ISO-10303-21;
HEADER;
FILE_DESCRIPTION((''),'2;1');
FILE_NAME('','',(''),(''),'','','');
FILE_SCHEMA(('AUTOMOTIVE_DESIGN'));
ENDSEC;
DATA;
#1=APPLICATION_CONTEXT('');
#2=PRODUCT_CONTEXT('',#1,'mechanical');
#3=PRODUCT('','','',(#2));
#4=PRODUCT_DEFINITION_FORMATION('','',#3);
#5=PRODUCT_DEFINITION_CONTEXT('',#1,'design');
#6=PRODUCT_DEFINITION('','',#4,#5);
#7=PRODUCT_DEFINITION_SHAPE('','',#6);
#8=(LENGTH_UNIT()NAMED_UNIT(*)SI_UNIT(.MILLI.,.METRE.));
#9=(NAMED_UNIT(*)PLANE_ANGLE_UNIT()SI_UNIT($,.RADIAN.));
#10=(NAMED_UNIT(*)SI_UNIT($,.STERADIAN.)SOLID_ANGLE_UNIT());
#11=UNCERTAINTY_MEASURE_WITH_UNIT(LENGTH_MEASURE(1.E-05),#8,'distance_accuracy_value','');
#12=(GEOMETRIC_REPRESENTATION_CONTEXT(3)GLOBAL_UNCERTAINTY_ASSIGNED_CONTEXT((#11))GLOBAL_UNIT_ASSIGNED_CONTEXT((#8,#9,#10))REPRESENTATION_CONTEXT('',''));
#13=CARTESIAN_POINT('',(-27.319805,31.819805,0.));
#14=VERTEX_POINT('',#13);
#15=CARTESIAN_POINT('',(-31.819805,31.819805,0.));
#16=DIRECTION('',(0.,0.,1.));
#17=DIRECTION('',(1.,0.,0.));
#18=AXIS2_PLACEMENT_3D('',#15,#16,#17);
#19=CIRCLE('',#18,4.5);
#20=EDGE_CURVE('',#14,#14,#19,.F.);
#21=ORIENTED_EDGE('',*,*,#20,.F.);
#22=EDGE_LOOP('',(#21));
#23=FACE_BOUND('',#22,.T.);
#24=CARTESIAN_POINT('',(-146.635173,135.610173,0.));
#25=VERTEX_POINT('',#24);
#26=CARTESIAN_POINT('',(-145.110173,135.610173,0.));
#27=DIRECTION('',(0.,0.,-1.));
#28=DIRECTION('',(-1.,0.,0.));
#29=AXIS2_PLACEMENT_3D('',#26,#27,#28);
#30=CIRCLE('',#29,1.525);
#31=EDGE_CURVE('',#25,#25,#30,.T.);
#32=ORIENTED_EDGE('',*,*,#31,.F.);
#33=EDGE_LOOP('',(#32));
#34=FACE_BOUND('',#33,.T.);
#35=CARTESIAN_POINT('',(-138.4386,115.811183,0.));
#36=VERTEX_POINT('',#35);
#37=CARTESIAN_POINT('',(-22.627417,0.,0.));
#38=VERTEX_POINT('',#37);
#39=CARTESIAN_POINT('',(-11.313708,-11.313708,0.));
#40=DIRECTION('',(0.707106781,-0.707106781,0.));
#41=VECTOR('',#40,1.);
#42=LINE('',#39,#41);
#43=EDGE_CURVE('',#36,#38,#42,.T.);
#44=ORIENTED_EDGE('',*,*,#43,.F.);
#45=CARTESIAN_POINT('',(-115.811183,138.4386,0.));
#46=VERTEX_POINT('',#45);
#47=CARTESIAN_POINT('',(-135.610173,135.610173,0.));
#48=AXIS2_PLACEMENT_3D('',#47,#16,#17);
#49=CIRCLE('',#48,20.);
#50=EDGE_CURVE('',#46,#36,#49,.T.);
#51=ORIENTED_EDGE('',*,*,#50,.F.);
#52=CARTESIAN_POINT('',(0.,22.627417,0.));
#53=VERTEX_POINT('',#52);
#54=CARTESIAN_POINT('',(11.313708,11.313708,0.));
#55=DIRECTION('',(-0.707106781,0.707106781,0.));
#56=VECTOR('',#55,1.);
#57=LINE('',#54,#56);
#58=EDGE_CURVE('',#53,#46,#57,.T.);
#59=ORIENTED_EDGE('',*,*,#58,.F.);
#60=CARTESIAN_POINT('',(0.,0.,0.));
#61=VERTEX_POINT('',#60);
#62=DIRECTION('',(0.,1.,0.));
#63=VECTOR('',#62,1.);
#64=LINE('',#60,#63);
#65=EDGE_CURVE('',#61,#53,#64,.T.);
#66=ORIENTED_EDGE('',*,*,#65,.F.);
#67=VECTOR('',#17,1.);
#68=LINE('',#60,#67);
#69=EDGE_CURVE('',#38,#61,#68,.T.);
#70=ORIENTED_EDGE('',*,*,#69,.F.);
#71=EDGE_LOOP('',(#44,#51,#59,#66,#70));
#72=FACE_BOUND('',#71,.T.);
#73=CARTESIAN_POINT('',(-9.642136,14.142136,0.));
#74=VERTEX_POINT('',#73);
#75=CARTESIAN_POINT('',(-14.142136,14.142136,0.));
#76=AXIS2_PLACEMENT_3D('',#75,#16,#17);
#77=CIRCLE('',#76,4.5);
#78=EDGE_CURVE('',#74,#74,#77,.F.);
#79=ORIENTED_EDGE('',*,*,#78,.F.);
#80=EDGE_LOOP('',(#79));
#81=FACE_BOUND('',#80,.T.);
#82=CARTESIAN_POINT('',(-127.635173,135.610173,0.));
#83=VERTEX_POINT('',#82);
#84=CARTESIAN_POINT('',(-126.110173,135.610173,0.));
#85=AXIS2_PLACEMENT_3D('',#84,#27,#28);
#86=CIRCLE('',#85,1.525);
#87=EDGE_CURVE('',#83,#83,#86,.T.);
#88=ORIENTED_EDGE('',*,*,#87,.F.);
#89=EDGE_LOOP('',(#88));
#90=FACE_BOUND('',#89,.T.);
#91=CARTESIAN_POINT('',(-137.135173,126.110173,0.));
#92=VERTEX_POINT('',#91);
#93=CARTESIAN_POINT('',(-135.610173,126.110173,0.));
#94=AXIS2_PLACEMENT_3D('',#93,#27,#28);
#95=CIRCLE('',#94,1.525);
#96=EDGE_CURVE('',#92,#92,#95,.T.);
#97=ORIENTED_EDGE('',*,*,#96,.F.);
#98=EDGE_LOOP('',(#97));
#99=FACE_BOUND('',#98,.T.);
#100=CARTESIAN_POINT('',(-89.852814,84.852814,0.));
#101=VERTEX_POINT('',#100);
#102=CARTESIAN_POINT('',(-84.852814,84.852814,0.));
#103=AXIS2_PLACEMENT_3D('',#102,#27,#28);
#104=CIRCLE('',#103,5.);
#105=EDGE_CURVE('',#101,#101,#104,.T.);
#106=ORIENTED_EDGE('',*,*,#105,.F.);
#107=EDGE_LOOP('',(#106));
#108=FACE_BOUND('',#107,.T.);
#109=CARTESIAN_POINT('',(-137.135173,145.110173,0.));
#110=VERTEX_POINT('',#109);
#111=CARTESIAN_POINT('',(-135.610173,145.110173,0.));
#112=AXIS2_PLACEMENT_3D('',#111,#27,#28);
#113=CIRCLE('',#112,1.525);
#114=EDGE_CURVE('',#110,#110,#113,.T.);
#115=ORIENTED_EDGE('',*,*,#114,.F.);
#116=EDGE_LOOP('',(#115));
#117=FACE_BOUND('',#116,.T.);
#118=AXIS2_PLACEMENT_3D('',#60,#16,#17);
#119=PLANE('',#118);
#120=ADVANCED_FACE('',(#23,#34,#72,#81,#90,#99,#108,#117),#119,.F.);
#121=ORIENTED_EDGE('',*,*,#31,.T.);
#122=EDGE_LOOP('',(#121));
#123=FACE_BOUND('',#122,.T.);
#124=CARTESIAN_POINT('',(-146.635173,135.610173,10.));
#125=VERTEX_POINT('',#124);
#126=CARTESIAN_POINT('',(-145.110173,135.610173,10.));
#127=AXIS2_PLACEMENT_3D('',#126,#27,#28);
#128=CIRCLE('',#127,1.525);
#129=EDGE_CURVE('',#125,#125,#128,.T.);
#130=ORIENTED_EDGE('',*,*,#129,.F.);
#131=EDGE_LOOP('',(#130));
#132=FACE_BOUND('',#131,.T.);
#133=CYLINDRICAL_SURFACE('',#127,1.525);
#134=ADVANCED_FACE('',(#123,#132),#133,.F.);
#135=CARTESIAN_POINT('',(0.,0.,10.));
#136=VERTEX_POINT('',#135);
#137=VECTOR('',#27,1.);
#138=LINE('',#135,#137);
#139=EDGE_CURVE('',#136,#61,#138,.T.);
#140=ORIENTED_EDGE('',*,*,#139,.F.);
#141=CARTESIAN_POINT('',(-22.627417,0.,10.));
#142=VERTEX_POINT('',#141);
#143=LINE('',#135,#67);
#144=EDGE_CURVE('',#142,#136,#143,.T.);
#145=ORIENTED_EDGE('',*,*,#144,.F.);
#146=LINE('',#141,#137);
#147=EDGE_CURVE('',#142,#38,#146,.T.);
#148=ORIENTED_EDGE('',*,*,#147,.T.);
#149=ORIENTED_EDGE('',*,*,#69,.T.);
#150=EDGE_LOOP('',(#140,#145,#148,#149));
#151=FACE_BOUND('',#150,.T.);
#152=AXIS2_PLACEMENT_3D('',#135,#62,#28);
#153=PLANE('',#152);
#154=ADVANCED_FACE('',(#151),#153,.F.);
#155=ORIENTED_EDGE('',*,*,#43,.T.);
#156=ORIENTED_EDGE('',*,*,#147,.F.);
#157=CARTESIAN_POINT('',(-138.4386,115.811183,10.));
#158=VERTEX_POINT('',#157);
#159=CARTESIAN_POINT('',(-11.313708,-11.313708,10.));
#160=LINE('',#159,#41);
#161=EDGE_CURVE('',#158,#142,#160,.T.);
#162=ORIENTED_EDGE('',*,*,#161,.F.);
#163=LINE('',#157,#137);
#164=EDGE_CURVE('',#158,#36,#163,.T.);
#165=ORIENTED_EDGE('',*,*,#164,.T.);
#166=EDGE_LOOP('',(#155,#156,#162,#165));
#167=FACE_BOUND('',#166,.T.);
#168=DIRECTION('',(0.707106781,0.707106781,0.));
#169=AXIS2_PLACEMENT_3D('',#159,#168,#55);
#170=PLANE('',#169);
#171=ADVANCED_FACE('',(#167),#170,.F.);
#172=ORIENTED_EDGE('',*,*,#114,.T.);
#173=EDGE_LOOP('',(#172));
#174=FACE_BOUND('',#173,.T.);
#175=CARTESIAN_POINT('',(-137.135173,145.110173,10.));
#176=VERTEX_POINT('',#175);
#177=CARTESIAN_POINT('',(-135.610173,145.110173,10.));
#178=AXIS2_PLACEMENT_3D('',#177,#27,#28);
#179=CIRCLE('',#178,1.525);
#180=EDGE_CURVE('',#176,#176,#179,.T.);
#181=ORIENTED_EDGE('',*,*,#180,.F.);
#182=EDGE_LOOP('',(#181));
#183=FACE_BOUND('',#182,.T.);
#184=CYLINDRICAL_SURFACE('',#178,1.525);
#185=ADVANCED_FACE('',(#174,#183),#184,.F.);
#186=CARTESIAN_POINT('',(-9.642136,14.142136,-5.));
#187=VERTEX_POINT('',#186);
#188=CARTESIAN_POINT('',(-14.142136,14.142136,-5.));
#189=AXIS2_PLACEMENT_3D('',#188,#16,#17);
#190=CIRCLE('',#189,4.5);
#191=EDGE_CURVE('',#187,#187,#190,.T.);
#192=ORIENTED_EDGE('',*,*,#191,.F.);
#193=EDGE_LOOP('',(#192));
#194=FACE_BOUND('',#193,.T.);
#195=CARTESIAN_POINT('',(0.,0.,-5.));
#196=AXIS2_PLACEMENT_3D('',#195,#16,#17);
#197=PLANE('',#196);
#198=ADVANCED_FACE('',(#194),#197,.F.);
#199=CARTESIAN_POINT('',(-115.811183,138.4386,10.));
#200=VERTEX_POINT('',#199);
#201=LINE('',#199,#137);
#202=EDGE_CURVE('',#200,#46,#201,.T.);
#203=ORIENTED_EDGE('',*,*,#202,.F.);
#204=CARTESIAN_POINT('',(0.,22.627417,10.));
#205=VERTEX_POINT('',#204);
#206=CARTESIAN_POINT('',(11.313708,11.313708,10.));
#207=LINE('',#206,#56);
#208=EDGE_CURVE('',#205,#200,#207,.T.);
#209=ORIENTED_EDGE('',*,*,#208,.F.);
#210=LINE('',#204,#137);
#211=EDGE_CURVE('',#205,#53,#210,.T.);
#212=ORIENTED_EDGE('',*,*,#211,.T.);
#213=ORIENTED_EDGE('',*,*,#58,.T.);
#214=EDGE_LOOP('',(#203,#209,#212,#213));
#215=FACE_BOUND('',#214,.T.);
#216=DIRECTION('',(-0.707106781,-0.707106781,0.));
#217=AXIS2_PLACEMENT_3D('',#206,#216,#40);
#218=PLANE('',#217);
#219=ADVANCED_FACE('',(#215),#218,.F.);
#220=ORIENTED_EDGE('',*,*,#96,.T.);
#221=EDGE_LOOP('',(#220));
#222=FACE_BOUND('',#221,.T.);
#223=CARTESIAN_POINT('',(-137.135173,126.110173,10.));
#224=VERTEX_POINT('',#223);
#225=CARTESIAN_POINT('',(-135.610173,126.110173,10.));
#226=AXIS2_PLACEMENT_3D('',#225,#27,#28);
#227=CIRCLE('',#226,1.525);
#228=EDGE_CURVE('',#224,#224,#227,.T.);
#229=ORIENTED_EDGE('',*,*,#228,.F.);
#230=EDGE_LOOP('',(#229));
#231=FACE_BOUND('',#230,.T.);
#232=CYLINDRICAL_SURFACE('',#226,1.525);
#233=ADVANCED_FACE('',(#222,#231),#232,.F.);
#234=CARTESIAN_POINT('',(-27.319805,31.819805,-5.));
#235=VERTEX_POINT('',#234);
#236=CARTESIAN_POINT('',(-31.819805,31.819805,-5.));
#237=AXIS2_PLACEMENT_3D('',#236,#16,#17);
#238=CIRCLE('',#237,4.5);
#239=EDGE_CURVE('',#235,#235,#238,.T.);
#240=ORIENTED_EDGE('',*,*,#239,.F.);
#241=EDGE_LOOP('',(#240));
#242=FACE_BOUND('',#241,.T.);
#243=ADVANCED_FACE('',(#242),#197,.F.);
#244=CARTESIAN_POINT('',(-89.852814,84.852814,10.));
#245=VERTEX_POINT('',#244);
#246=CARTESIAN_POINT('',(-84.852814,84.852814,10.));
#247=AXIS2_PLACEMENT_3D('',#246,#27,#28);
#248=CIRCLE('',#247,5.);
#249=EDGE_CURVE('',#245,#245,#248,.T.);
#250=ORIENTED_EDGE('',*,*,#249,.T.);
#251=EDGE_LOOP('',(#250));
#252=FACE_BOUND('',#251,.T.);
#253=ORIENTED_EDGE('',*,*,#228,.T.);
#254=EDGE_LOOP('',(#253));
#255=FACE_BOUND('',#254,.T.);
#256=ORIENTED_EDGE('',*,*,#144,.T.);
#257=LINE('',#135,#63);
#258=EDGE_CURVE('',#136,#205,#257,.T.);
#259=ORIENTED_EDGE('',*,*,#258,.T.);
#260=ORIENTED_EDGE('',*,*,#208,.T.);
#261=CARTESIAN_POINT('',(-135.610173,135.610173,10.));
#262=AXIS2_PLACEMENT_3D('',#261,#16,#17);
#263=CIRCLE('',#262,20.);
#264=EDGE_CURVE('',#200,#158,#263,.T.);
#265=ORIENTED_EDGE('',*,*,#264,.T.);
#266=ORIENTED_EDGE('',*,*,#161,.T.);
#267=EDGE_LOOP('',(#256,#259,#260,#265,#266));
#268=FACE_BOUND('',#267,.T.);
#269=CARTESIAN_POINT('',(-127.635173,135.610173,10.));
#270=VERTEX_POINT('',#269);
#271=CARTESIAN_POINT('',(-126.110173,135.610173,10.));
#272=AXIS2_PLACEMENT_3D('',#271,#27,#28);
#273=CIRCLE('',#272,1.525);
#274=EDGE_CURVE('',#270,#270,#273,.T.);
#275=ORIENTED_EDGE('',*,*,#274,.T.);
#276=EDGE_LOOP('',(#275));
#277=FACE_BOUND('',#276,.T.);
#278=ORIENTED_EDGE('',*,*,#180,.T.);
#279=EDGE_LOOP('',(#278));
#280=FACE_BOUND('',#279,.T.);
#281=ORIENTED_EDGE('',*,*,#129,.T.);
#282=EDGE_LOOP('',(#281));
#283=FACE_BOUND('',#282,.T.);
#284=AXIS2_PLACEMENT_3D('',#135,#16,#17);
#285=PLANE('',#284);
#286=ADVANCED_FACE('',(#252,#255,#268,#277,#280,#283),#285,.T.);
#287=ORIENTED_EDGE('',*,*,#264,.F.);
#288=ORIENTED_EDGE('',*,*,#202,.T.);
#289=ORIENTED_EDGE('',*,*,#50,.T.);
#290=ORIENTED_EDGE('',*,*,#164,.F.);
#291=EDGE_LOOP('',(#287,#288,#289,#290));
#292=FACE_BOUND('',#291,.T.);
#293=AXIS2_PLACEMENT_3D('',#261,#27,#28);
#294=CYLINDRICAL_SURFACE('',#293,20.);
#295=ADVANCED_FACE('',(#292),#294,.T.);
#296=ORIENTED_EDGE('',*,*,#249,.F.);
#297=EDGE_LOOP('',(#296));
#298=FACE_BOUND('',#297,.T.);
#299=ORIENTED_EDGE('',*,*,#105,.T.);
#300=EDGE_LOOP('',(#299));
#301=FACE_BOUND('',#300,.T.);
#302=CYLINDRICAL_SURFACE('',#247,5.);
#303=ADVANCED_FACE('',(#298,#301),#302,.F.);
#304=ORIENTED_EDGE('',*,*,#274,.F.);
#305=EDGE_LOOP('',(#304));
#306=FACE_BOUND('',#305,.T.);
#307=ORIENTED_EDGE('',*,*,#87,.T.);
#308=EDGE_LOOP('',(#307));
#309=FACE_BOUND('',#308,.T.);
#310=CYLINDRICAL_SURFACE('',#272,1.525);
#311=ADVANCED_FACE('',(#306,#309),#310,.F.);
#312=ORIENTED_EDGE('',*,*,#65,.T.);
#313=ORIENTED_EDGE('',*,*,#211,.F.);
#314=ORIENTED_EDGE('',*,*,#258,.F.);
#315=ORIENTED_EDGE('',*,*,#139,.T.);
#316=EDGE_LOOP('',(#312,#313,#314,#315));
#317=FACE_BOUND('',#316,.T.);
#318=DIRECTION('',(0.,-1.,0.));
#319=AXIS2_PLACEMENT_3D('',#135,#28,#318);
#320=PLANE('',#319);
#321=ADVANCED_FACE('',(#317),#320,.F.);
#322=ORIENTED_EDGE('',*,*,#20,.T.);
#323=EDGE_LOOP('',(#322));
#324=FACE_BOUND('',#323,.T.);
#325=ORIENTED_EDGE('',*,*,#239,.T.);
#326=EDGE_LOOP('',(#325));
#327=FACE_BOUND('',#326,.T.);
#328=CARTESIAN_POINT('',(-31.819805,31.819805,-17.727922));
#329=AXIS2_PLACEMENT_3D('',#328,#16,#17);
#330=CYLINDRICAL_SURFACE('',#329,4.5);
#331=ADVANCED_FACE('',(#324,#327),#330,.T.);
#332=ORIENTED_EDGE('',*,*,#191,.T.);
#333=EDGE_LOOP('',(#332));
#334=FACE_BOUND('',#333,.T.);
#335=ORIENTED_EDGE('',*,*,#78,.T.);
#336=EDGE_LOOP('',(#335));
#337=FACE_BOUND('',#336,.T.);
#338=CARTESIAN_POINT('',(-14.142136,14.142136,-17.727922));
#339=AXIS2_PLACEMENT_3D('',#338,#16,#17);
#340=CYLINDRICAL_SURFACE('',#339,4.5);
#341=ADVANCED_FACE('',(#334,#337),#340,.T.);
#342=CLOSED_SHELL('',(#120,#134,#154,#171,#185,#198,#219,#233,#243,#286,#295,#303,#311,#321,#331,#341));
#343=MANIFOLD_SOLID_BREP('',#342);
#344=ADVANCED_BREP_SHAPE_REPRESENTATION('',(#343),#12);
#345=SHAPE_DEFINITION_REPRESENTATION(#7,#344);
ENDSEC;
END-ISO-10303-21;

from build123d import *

# Parameters (mm, degrees)
BOSS_EXTRU_1_DEPTH      = 10
ESQUISSE2_R             = 4.5
BOSS_EXTRU_2_DEPTH      = 5
ESQUISSE3_R             = 1.525
ESQUISSE3_R_2           = 5
ENL_V_MAT_EXTRU_1_DEPTH = 221.29310456


with BuildPart() as part:
    # Esquisse1 → Boss.-Extru.1 (new body)
    with BuildSketch(Plane.XY):
        with BuildLine():
            Line((-55, 32.372583002), (-22.627416998, 0))
            Line((-22.627416998, 0), (0, 0))
            Line((0, 0), (0, 22.627416998))
            Line((0, 22.627416998), (-32.372583002, 55))
            Line((-32.372583002, 55), (-115.811183182, 138.43860018))
            ThreePointArc((-115.811183182, 138.43860018), (-115.660488879, 137.027953457), (-115.610173055, 135.610173055))
            ThreePointArc((-115.610173055, 135.610173055), (-122.506138228, 120.501093955), (-138.43860018, 115.811183182))
            Line((-138.43860018, 115.811183182), (-55, 32.372583002))
        make_face()
        with BuildLine():
            ThreePointArc((-115.811183182, 138.43860018), (-149.752308679, 149.752308679), (-138.43860018, 115.811183182))
            Line((-138.43860018, 115.811183182), (-146.923881554, 124.296464556))
            Line((-146.923881554, 124.296464556), (-124.296464556, 146.923881554))
            Line((-124.296464556, 146.923881554), (-115.811183182, 138.43860018))
        make_face()
        with BuildLine():
            Line((-146.923881554, 124.296464556), (-138.43860018, 115.811183182))
            ThreePointArc((-138.43860018, 115.811183182), (-122.506138228, 120.501093955), (-115.610173055, 135.610173055))
            ThreePointArc((-115.610173055, 135.610173055), (-115.660488879, 137.027953457), (-115.811183182, 138.43860018))
            Line((-115.811183182, 138.43860018), (-124.296464556, 146.923881554))
            Line((-124.296464556, 146.923881554), (-146.923881554, 124.296464556))
        make_face()
    extrude(amount=BOSS_EXTRU_1_DEPTH)

    # Esquisse2 → Boss.-Extru.2 (add)
    with BuildSketch(Plane(origin=(0, 0, 0), x_dir=(-1, 0, 0), z_dir=(0, 0, -1))):
        with Locations(Location((31.819805153, 31.819805153, 0), (0, 0, 180))):
            Circle(ESQUISSE2_R)
        with Locations(Location((14.142135624, 14.142135624, 0), (0, 0, 180))):
            Circle(ESQUISSE2_R)
    extrude(amount=BOSS_EXTRU_2_DEPTH)

    # Esquisse3 → Enlèv. mat.-Extru.1 (cut, through all)
    with BuildSketch(Plane(origin=(0, 0, 0), x_dir=(-1, 0, 0), z_dir=(0, 0, -1))):
        with Locations((135.610173055, 145.110173055)):
            Circle(ESQUISSE3_R)
        with Locations((145.110173055, 135.610173055)):
            Circle(ESQUISSE3_R)
        with Locations((135.610173055, 126.110173055)):
            Circle(ESQUISSE3_R)
        with Locations((126.110173055, 135.610173055)):
            Circle(ESQUISSE3_R)
        with Locations((84.852813742, 84.852813742)):
            Circle(ESQUISSE3_R_2)
    extrude(amount=-ENL_V_MAT_EXTRU_1_DEPTH, mode=Mode.SUBTRACT)


solid = part.part
